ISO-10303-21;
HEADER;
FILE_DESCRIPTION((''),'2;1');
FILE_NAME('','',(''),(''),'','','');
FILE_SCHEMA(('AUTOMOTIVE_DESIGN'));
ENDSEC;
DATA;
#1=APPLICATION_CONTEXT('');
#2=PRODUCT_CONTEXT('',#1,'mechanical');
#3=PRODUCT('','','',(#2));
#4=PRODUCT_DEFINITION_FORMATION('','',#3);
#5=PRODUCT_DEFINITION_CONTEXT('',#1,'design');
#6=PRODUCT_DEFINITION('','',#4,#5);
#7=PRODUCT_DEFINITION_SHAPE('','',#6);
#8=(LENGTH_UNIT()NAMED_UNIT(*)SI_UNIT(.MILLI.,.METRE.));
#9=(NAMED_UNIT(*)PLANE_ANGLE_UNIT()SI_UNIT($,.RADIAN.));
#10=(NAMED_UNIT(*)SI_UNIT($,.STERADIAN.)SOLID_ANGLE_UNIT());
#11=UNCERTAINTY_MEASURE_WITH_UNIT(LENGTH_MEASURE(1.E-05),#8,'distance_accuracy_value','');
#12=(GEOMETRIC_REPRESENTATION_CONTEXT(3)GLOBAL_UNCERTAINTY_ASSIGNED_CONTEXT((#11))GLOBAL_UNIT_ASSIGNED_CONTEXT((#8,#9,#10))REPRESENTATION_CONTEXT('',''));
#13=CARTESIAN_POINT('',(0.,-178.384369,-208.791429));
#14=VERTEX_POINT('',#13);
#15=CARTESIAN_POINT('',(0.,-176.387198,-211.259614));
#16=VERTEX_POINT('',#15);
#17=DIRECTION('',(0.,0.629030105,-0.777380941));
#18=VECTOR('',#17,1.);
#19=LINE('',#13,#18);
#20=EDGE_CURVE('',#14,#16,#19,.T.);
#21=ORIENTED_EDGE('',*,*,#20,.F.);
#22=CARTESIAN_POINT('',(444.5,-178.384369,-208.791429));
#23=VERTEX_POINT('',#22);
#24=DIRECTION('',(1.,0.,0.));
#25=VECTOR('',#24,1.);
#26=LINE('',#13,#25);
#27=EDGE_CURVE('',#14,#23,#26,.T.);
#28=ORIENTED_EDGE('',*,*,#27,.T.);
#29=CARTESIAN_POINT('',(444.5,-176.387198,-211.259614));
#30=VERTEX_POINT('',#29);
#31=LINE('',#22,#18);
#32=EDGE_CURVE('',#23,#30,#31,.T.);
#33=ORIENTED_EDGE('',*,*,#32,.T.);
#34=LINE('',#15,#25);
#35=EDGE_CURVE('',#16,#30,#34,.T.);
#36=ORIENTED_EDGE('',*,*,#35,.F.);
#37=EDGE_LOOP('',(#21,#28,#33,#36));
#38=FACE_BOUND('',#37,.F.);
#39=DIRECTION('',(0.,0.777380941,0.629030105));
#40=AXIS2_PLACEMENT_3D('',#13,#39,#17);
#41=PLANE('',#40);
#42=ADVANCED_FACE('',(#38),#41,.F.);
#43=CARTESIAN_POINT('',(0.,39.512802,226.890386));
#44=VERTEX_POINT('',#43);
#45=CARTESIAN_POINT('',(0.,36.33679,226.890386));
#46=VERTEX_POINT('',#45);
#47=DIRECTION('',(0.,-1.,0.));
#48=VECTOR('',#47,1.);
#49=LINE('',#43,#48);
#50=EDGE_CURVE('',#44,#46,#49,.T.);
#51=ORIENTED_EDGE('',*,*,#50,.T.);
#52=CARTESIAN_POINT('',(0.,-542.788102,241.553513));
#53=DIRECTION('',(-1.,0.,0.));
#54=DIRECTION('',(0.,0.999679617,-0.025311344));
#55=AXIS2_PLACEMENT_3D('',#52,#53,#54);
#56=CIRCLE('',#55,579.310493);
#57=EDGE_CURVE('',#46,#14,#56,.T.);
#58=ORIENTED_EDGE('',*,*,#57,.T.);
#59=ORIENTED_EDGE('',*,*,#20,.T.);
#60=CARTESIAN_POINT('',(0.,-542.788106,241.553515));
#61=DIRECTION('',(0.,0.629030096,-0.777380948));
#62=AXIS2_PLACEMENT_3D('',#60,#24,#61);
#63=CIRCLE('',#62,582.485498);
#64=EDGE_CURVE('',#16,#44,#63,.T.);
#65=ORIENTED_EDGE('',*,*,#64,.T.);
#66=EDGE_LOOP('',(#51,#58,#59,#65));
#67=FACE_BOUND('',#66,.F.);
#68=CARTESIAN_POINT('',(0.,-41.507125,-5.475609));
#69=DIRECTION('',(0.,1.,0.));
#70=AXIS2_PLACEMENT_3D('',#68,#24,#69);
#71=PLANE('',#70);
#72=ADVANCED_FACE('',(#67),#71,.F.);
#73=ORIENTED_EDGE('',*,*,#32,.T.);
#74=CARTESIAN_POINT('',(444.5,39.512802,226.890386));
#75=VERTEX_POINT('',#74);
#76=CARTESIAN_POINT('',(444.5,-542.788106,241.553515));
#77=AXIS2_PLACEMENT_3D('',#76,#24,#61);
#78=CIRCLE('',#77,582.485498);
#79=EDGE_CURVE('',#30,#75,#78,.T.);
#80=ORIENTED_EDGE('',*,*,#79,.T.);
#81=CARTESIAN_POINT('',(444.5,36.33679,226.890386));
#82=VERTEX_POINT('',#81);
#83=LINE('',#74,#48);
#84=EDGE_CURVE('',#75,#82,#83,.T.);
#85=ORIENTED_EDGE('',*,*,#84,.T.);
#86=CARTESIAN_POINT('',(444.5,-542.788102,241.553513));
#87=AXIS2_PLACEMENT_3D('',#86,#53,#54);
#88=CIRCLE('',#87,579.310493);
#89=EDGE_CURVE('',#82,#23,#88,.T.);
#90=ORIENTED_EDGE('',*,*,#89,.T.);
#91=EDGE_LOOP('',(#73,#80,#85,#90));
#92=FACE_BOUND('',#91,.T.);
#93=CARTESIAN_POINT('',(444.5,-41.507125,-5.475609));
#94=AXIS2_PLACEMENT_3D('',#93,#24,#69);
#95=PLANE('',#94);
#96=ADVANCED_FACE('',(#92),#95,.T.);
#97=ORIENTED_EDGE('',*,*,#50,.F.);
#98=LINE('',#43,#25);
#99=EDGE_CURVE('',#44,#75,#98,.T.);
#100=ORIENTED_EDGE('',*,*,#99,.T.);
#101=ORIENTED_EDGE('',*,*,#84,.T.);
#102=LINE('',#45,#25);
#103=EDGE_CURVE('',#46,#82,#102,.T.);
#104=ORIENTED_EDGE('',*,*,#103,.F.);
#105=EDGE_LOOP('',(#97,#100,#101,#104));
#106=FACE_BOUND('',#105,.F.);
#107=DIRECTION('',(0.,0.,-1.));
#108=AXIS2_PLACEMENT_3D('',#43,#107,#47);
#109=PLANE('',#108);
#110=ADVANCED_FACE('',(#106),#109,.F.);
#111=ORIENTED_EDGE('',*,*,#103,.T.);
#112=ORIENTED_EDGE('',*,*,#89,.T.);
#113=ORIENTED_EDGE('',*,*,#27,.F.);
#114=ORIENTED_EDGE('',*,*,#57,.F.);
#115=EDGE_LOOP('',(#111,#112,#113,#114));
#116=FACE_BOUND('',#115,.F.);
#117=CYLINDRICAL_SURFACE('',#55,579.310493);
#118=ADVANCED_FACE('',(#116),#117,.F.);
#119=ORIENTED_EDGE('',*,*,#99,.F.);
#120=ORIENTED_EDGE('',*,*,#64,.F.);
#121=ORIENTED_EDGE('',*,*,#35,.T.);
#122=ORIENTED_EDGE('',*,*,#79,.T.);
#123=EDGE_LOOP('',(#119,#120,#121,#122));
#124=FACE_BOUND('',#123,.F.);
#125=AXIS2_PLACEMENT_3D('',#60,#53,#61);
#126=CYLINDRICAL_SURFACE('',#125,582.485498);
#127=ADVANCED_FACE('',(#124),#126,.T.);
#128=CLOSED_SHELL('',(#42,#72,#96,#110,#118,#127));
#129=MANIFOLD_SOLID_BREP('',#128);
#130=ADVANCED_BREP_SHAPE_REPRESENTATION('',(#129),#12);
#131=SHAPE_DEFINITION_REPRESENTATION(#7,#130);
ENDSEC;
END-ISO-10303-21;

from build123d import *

# Parameters (mm, degrees)
F1_DEPTH = 444.5


with BuildPart() as f1:
    # F0 (on Right) → F1 (new body)
    with BuildSketch(Plane.YZ):
        with BuildLine():
            Line((39.512802, 226.890386), (36.33679, 226.890386))
            ThreePointArc((36.33679, 226.890386), (-23.157245, -14.54104), (-178.384369, -208.791429))
            Line((-178.384369, -208.791429), (-176.387198, -211.259614))
            ThreePointArc((-176.387198, -211.259614), (-20.291561, -15.908551), (39.512802, 226.890386))
        make_face()
    extrude(amount=F1_DEPTH)


solid = f1.part
